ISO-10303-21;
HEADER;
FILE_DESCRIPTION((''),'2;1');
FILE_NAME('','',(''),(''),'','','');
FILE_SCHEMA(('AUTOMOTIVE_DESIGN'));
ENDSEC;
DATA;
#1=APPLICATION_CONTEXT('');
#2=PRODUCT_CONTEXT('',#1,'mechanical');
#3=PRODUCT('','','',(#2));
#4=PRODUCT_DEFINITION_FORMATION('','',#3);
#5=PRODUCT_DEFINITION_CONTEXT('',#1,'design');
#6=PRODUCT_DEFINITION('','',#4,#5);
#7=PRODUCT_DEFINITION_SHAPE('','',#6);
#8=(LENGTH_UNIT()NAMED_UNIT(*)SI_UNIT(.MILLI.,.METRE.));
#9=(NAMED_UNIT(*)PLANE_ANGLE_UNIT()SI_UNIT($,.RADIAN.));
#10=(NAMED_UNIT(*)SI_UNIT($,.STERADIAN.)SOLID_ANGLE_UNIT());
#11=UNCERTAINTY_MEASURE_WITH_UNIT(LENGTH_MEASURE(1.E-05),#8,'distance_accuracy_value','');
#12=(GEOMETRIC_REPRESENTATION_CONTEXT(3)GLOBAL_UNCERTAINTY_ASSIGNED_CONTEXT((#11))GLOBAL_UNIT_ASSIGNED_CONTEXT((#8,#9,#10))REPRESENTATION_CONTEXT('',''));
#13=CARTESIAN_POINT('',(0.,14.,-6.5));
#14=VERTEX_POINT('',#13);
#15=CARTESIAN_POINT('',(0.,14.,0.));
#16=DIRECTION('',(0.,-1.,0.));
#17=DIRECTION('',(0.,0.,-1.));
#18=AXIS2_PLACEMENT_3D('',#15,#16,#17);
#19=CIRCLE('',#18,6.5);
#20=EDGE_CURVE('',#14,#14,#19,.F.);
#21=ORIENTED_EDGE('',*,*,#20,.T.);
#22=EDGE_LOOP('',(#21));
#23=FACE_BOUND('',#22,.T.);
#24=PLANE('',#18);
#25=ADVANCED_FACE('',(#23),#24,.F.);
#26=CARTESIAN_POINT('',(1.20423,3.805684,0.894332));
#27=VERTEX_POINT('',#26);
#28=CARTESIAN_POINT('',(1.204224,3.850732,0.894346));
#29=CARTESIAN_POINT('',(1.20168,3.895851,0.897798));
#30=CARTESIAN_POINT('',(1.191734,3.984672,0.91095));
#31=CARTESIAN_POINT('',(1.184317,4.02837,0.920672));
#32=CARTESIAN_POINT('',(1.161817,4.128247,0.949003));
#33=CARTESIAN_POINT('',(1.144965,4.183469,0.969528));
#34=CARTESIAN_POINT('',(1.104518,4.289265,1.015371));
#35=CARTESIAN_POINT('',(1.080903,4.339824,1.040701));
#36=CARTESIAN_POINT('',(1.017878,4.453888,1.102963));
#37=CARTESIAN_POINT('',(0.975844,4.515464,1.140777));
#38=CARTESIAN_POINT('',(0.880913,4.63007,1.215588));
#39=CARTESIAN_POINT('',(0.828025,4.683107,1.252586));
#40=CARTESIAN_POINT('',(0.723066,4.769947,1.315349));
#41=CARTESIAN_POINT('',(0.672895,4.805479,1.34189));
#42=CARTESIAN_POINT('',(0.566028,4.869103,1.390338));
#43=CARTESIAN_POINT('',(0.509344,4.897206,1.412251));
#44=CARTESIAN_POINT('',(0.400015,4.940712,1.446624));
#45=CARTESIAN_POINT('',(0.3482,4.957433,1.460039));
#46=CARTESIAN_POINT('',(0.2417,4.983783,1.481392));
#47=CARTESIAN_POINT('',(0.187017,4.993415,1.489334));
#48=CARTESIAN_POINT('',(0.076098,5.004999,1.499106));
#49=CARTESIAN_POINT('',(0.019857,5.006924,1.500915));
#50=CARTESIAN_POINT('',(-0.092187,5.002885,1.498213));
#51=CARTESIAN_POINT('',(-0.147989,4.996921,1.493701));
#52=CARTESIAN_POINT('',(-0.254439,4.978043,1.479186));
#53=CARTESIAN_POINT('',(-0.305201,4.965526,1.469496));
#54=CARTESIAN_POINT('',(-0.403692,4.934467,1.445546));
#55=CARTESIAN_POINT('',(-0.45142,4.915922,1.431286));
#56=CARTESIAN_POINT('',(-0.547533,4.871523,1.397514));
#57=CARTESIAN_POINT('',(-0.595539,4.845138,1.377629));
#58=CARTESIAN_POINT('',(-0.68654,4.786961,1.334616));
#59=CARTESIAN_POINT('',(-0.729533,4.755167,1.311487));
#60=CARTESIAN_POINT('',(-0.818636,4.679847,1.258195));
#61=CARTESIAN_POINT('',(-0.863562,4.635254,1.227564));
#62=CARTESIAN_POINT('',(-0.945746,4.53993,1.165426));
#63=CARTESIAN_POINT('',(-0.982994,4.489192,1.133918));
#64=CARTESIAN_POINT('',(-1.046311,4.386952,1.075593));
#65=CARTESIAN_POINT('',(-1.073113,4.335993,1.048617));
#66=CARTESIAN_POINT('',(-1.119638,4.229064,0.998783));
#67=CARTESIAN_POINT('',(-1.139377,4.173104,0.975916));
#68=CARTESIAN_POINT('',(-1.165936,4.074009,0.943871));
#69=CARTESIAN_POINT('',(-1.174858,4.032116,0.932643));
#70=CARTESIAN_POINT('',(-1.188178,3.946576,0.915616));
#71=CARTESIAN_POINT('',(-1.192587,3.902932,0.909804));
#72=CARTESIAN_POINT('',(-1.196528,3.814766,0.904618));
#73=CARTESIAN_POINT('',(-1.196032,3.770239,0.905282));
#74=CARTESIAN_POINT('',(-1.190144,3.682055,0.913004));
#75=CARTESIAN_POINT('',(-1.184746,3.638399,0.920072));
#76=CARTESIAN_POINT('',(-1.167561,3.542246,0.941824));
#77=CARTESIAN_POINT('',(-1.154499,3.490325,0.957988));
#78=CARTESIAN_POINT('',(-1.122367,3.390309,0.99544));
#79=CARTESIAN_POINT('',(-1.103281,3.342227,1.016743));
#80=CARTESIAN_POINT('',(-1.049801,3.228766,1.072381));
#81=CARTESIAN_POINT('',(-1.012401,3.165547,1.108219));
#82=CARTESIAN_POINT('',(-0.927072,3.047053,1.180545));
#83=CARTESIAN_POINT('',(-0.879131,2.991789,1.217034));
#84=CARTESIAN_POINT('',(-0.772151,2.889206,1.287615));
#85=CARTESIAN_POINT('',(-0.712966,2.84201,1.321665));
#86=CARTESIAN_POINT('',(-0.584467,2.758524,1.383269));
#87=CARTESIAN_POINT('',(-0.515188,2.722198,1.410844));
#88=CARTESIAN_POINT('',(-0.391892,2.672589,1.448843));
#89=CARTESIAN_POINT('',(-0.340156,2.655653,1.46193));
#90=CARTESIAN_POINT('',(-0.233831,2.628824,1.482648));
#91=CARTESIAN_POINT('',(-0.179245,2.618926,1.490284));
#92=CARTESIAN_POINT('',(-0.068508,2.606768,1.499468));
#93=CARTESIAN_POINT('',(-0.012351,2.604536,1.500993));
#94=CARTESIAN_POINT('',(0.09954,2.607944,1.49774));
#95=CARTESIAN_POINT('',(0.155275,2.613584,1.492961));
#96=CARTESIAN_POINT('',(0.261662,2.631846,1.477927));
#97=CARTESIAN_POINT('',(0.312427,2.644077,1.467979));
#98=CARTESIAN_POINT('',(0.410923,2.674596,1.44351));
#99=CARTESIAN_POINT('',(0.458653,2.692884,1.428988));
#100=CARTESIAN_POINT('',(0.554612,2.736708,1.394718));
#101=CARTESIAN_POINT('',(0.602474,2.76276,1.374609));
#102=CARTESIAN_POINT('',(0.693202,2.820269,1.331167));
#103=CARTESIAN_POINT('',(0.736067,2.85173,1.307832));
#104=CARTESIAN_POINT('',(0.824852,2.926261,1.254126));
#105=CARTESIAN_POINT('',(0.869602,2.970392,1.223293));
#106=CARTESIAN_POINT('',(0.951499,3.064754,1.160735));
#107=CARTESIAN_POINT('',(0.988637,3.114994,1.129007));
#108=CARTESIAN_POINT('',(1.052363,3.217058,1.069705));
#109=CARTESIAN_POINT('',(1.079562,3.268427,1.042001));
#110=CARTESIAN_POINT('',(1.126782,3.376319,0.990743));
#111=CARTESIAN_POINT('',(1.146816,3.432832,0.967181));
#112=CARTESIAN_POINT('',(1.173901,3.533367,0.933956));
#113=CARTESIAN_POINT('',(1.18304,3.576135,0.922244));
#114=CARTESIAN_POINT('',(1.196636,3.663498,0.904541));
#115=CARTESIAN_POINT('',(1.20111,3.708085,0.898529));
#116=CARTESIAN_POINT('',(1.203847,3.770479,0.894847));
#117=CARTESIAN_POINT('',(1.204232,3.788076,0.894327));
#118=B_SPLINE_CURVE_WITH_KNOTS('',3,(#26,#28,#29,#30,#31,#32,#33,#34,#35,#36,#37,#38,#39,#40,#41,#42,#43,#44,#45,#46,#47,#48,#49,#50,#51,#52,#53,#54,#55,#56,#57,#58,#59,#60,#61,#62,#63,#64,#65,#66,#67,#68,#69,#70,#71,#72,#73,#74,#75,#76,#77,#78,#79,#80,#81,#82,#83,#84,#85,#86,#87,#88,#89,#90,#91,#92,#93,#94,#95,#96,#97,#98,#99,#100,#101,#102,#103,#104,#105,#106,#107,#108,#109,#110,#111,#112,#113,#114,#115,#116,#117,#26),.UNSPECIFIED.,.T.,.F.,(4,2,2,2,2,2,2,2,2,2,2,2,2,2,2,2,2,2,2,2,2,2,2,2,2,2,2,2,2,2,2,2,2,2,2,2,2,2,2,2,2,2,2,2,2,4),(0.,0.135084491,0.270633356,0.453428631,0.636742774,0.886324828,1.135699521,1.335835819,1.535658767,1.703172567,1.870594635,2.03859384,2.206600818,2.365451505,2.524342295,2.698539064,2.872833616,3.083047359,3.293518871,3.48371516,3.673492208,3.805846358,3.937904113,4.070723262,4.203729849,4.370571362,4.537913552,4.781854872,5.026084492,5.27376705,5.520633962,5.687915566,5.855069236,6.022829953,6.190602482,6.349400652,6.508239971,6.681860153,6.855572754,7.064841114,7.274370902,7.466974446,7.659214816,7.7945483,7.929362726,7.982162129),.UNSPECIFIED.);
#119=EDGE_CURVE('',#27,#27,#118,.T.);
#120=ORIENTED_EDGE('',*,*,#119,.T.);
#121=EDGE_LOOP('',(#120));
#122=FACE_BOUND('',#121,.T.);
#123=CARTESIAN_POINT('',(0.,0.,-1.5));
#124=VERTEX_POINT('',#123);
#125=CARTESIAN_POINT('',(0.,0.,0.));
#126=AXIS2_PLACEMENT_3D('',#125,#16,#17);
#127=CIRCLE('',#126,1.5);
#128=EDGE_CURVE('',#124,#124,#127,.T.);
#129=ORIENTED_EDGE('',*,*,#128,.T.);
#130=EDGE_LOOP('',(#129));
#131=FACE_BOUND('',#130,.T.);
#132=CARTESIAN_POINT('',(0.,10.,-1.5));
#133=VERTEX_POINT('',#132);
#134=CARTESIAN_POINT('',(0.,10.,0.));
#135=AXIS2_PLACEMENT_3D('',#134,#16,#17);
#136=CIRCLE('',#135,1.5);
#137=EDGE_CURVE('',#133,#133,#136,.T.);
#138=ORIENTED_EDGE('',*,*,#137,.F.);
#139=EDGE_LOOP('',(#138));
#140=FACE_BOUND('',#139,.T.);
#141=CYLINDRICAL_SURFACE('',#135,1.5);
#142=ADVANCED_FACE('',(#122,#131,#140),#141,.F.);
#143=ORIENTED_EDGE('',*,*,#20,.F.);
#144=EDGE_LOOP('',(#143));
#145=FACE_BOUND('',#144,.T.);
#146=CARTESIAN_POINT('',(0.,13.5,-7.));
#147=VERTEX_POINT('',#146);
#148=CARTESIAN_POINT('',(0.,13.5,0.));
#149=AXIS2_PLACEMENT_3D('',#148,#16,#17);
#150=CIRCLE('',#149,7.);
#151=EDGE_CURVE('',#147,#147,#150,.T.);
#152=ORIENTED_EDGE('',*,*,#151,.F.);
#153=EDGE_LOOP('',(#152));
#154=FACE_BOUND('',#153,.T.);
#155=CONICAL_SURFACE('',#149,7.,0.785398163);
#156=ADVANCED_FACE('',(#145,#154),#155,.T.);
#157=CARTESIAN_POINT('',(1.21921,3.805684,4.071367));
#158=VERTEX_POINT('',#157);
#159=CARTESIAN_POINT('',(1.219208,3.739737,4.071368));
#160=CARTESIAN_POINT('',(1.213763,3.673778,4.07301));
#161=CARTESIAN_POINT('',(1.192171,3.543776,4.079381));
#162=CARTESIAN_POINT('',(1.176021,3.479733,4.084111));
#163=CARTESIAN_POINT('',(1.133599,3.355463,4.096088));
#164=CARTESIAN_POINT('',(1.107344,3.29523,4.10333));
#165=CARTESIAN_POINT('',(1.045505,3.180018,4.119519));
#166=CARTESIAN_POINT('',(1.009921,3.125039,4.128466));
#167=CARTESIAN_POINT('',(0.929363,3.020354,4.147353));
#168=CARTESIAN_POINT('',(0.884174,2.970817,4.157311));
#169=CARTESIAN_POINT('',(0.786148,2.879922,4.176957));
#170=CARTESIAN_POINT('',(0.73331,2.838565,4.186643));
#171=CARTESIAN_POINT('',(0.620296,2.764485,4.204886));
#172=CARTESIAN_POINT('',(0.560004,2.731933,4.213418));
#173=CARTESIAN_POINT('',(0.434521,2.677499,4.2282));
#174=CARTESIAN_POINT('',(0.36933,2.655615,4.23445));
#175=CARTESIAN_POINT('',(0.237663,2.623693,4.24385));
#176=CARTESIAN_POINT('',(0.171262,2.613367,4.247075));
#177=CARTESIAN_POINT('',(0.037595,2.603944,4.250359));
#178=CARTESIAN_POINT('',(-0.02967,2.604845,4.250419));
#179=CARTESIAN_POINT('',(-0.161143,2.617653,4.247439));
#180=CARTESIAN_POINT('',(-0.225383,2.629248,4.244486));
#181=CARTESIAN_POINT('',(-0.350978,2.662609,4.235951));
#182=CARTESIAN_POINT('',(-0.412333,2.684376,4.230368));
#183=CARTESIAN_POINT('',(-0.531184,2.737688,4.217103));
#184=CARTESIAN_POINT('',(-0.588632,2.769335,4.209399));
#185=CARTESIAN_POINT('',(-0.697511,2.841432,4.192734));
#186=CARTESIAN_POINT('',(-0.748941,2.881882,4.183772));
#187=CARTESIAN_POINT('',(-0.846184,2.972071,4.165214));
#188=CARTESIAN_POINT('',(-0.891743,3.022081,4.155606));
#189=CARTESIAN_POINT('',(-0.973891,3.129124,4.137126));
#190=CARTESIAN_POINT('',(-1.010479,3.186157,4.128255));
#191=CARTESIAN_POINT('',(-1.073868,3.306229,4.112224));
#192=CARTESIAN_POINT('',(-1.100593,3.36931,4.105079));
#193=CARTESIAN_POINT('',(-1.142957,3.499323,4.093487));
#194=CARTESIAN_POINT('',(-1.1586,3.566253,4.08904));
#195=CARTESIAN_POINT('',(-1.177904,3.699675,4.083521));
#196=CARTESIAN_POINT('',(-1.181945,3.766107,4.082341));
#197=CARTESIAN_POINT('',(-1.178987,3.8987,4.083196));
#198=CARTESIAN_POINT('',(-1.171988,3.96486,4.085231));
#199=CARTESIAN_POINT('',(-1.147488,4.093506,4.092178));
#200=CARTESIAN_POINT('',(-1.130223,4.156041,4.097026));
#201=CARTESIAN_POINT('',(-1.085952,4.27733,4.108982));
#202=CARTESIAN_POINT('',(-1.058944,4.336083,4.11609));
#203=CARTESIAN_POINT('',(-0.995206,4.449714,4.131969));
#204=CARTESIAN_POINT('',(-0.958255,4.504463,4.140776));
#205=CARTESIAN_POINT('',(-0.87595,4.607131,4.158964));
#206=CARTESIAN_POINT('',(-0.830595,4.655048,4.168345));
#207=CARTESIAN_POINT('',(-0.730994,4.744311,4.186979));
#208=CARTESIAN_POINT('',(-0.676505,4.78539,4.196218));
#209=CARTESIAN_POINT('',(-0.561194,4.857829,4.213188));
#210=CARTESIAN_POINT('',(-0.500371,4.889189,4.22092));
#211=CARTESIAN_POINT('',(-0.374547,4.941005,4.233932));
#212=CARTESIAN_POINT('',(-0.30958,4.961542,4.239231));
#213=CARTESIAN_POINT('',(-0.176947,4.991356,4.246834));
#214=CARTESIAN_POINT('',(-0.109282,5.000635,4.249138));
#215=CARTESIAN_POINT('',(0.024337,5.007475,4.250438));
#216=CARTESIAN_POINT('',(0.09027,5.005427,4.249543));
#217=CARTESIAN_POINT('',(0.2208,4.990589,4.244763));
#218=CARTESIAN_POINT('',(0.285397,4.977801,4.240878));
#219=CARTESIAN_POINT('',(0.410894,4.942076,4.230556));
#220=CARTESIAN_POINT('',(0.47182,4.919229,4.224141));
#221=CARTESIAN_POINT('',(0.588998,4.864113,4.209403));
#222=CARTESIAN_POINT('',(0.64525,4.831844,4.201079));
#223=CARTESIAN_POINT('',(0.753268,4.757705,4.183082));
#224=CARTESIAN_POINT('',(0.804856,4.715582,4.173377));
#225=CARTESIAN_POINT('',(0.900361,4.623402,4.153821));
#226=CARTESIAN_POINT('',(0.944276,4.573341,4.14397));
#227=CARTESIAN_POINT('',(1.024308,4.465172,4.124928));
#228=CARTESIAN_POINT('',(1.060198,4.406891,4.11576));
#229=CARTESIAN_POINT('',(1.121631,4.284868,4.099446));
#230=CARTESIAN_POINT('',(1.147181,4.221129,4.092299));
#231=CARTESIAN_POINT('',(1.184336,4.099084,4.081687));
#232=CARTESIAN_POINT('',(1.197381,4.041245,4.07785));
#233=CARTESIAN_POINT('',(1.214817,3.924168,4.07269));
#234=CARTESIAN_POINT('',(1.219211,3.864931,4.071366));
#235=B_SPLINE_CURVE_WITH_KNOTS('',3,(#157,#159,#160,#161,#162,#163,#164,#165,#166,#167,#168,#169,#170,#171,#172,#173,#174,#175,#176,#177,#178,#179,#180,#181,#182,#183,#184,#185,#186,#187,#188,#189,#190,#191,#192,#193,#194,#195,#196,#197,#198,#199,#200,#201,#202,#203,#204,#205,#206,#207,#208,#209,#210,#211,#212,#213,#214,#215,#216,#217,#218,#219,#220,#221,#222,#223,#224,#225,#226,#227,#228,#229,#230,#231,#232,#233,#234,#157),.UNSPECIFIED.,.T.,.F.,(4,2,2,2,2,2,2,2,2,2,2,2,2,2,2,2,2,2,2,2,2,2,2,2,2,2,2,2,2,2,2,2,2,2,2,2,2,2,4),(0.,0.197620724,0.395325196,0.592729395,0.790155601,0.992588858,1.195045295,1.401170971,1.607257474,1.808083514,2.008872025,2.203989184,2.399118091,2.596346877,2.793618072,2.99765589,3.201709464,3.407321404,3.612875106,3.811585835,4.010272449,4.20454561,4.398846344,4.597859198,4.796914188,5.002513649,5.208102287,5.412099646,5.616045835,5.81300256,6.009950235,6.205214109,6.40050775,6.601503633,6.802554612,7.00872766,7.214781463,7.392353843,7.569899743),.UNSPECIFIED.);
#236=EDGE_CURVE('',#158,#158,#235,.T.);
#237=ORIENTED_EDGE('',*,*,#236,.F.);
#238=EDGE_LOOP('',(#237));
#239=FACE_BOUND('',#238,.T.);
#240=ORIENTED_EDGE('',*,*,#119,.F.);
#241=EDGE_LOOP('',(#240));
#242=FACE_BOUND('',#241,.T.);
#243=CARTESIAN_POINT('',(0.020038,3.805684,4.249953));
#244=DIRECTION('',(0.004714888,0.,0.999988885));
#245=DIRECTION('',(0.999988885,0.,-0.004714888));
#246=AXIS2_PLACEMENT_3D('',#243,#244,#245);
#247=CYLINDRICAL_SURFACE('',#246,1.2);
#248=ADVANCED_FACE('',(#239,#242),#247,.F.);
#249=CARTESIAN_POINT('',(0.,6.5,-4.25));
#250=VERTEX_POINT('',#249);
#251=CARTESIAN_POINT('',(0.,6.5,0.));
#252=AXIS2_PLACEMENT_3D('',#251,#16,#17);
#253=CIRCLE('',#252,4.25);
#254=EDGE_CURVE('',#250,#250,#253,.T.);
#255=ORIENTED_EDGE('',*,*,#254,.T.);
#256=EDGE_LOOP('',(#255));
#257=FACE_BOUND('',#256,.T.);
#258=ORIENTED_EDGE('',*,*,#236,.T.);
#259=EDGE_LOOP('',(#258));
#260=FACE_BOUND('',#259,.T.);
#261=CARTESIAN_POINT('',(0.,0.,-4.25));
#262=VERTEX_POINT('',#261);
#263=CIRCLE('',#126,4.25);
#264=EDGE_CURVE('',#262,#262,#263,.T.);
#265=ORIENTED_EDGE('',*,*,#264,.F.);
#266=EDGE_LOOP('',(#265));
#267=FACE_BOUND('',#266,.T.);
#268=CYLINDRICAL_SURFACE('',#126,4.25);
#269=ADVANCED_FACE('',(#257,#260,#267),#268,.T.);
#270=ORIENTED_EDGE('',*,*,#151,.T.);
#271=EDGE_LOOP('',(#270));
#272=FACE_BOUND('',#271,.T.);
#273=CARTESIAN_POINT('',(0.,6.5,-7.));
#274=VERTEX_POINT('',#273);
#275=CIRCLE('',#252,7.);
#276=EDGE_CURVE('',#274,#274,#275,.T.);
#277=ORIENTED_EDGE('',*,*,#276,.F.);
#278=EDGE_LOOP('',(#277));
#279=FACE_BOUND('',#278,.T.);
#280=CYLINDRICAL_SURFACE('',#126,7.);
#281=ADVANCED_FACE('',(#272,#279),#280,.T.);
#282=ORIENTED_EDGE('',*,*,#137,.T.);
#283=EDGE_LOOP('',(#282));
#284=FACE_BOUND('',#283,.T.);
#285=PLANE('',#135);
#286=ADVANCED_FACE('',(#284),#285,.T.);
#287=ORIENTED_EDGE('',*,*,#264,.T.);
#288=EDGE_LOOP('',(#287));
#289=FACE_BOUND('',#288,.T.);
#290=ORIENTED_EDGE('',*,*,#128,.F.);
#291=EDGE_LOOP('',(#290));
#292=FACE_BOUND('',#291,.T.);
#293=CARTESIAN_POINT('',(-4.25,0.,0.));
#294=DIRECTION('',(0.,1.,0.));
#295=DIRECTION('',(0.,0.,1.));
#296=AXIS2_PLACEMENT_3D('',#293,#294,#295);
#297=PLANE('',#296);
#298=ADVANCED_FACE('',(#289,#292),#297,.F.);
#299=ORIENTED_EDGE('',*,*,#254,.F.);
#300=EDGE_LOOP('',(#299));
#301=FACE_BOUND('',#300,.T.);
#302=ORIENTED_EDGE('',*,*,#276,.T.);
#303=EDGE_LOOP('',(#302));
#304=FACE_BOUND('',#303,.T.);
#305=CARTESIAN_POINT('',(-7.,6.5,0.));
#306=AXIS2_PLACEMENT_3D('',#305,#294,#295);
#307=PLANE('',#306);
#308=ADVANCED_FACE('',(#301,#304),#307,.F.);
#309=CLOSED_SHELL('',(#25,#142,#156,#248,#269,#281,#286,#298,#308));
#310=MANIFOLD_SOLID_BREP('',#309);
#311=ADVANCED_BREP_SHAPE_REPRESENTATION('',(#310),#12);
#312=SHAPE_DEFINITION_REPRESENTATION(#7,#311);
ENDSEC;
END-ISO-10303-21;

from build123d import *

# Parameters (mm, degrees)
SMUSSO1_SIZE              = 0.5
SCHIZZO2_R                = 1.5
TAGLIO_ESTRUSIONE1_DEPTH  = 10
FORO_PER_VITE_M2_2_REACH  = 18.726
FORO_PER_VITE_M2_2_BORE_R = 1.2


with BuildPart() as part:
    # Schizzo1 → Rivoluzione1 (revolve)
    with BuildSketch(Plane.XY, mode=Mode.PRIVATE) as rivoluzione1_sk:
        Polygon((-7, 14), (-7, 6.5), (-4.25, 6.5), (-4.25, 0), (0, 0), (0, 14), align=None)
    revolve(rivoluzione1_sk.sketch.rotate(Axis((0, 0, 0), (0, 1, 0)), 270), axis=Axis((0, 0, 0), (0, 1, 0)))

    # Smusso1
    smusso1_edges = [part.edges().sort_by_distance(p)[0] for p in [
        (0, 14, 7),
    ]]
    chamfer(smusso1_edges, length=SMUSSO1_SIZE)

    # Schizzo2 → Taglio-Estrusione1 (cut)
    with BuildSketch(Plane(origin=(0, 0, 0), x_dir=(-1, 0, 0), z_dir=(0, -1, 0))):
        with Locations(Location((0, 0, 0), (0, 0, 90))):
            Circle(SCHIZZO2_R)
    extrude(amount=-TAGLIO_ESTRUSIONE1_DEPTH, mode=Mode.SUBTRACT)

    # Foro per Vite M2-2 bore (on position points) → Foro per Vite M2-2 (cut, up to next)
    with BuildSketch(Plane(origin=(0.020038274, 3.80568373, 4.249952761), x_dir=(0.999988884854, 0, -0.004714888012), z_dir=(0.004714888012, 0, 0.999988884854)), mode=Mode.PRIVATE) as foro_per_vite_m2_2_sk1:
        Circle(FORO_PER_VITE_M2_2_BORE_R)
    foro_per_vite_m2_2_tool1 = extrude(foro_per_vite_m2_2_sk1.sketch, amount=-FORO_PER_VITE_M2_2_REACH, mode=Mode.PRIVATE) & part.part
    add(foro_per_vite_m2_2_tool1.solids().sort_by_distance((0.020038, 3.805684, 4.249953))[0], mode=Mode.SUBTRACT)


solid = part.part
